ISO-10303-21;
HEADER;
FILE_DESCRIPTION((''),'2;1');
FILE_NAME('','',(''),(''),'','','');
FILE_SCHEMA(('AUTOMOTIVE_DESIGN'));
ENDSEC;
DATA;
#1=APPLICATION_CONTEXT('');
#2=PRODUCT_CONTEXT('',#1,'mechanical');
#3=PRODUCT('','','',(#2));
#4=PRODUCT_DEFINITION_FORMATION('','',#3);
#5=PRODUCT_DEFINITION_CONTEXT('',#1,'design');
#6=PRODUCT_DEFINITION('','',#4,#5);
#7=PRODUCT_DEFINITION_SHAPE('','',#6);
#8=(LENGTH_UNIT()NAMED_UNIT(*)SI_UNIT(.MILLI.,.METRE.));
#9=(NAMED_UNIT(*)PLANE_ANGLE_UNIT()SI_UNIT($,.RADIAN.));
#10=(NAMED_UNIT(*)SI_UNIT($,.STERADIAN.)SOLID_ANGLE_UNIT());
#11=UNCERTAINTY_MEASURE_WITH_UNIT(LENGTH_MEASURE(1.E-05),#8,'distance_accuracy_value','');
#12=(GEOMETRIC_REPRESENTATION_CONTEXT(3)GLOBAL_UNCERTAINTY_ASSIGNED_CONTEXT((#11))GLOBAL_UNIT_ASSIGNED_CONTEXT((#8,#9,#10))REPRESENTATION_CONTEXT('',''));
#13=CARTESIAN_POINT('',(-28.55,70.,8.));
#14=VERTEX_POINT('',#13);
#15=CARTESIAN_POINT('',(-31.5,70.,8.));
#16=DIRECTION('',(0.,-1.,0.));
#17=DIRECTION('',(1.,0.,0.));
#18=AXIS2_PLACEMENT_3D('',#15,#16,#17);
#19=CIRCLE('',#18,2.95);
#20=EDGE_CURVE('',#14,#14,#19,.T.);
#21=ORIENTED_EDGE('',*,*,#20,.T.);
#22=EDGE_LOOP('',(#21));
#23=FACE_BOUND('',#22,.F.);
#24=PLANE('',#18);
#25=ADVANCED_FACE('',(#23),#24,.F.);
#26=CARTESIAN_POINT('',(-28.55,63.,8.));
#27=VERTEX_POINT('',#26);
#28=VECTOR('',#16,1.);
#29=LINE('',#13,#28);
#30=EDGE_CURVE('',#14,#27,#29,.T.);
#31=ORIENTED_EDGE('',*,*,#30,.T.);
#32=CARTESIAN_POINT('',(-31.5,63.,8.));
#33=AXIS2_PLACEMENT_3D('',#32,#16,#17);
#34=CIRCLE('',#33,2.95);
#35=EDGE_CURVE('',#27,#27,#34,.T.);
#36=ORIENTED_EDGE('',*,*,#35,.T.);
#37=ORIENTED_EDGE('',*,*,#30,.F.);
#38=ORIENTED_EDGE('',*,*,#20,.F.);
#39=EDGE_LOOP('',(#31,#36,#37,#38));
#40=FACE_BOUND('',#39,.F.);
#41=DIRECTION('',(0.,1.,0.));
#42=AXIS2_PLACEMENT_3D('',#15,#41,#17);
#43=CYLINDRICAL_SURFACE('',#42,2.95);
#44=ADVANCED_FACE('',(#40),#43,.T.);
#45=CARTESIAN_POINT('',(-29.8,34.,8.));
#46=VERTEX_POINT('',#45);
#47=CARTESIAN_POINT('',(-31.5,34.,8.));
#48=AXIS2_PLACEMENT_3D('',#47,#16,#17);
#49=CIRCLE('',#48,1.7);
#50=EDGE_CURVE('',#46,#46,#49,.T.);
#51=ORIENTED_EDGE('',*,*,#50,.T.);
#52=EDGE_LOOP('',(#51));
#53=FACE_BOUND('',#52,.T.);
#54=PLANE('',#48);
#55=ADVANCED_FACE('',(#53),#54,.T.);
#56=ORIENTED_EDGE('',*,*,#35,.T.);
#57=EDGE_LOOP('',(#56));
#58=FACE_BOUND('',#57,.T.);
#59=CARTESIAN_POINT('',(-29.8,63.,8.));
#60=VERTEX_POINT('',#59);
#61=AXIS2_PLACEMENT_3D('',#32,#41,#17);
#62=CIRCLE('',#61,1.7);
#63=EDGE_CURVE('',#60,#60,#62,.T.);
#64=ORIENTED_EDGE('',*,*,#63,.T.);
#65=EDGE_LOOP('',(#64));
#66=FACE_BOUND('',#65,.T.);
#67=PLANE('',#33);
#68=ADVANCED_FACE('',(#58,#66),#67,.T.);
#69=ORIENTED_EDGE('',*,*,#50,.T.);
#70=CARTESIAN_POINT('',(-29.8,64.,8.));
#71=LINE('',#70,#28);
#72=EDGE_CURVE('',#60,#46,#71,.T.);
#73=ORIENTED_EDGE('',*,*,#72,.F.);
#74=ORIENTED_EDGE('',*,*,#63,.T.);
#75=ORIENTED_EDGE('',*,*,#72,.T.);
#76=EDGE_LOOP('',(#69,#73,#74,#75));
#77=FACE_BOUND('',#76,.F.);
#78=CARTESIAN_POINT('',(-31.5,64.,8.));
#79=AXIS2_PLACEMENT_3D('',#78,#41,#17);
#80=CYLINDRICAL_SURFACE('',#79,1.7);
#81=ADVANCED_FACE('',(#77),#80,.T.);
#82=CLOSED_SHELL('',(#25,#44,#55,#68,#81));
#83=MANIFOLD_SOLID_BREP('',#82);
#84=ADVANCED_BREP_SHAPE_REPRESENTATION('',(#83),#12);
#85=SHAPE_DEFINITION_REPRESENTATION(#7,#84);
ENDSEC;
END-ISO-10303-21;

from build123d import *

# Parameters (mm, degrees)
CYLINDER_R          = 2.95
CYLINDER_DEPTH      = 7
CYLINDER001_R       = 1.7
CYLINDER001_DEPTH   = 30
CLONE055_ROLL_ANGLE = 90


with BuildPart() as m3bolthead:
    # Cylinder → Cylinder (new body)
    with BuildSketch(Plane.XY):
        Circle(CYLINDER_R)
    extrude(amount=CYLINDER_DEPTH)


with BuildPart() as clone_of_m3bolt018:
    # Cylinder001 → Cylinder001 (new body)
    with BuildSketch(Plane.XY.offset(6)):
        Circle(CYLINDER001_R)
    extrude(amount=CYLINDER001_DEPTH)

    # Fusion: union M3BoltHead
    add(m3bolthead.part)


with BuildPart() as clone_of_m3bolt018_1:
    # Clone055 roll: moved
    add(clone_of_m3bolt018.part.rotate(Axis((0, 0, 0), (1, 0, 0)), CLONE055_ROLL_ANGLE))


with BuildPart() as clone_of_m3bolt018_2:
    # Clone055 placement: moved
    add(clone_of_m3bolt018_1.part.moved(Location((-31.5, 70, 8))))


solid = clone_of_m3bolt018_2.part
